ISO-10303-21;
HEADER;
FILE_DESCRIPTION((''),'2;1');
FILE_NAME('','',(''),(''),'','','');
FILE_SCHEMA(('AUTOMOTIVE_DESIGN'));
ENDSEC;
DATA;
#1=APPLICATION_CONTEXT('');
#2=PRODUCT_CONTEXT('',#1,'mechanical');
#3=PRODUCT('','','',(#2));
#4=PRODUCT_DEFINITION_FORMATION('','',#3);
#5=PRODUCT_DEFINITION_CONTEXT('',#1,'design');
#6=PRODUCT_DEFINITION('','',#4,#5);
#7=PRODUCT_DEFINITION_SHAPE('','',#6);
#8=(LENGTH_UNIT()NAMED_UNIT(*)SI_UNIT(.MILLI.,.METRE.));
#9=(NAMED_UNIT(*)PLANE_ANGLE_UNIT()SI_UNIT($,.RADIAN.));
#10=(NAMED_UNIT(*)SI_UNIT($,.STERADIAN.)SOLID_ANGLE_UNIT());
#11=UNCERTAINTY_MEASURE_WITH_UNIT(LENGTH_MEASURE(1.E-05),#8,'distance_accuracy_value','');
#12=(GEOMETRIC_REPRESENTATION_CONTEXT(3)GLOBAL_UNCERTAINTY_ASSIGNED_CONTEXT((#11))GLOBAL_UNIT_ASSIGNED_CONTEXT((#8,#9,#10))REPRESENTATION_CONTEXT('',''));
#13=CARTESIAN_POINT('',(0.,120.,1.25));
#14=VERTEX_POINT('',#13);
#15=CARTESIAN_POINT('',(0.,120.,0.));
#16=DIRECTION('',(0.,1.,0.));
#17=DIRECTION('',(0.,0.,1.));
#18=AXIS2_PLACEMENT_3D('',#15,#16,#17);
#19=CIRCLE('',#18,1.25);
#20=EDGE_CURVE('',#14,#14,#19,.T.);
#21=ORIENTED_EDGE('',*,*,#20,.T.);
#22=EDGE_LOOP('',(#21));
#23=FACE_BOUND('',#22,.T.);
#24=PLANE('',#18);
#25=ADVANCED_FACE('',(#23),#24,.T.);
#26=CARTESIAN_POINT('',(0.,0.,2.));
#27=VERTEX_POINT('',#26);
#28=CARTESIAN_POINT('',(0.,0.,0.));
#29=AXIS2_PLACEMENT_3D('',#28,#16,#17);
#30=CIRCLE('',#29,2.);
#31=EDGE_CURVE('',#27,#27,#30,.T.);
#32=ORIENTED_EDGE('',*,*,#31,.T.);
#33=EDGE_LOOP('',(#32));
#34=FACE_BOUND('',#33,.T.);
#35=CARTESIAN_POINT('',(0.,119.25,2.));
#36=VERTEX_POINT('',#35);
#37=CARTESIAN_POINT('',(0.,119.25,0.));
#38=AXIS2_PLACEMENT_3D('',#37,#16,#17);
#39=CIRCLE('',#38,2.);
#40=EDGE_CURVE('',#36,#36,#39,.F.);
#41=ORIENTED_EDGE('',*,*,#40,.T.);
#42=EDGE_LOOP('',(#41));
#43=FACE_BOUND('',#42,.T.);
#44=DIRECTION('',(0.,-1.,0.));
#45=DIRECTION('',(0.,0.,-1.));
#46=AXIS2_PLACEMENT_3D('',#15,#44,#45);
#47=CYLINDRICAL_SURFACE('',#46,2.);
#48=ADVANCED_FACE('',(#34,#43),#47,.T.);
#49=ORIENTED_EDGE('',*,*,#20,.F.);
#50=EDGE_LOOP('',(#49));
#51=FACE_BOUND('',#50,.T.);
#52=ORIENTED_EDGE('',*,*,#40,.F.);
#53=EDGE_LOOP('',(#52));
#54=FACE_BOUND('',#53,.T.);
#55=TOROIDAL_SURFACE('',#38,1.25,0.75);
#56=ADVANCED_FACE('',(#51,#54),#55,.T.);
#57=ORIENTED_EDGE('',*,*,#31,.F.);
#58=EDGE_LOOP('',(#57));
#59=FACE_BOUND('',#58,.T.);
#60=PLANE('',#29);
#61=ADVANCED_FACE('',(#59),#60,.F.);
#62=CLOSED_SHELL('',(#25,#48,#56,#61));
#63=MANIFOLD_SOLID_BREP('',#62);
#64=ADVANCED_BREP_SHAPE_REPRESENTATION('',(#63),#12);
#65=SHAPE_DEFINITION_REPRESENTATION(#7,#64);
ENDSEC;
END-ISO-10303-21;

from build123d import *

# Parameters (mm, degrees)
SKETCH1_R           = 2
BOSS_EXTRUDE1_DEPTH = 120
FILLET1_R           = 0.75


with BuildPart() as part:
    # Sketch1 → Boss-Extrude1 (new body)
    with BuildSketch(Plane(origin=(0, 0, 0), x_dir=(1, 0, 0), z_dir=(0, 1, 0))):
        Circle(SKETCH1_R)
    extrude(amount=BOSS_EXTRUDE1_DEPTH)

    # Fillet1
    fillet1_edges = [part.edges().sort_by_distance(p)[0] for p in [
        (-2, 120, 0),
    ]]
    fillet(fillet1_edges, radius=FILLET1_R)


solid = part.part
